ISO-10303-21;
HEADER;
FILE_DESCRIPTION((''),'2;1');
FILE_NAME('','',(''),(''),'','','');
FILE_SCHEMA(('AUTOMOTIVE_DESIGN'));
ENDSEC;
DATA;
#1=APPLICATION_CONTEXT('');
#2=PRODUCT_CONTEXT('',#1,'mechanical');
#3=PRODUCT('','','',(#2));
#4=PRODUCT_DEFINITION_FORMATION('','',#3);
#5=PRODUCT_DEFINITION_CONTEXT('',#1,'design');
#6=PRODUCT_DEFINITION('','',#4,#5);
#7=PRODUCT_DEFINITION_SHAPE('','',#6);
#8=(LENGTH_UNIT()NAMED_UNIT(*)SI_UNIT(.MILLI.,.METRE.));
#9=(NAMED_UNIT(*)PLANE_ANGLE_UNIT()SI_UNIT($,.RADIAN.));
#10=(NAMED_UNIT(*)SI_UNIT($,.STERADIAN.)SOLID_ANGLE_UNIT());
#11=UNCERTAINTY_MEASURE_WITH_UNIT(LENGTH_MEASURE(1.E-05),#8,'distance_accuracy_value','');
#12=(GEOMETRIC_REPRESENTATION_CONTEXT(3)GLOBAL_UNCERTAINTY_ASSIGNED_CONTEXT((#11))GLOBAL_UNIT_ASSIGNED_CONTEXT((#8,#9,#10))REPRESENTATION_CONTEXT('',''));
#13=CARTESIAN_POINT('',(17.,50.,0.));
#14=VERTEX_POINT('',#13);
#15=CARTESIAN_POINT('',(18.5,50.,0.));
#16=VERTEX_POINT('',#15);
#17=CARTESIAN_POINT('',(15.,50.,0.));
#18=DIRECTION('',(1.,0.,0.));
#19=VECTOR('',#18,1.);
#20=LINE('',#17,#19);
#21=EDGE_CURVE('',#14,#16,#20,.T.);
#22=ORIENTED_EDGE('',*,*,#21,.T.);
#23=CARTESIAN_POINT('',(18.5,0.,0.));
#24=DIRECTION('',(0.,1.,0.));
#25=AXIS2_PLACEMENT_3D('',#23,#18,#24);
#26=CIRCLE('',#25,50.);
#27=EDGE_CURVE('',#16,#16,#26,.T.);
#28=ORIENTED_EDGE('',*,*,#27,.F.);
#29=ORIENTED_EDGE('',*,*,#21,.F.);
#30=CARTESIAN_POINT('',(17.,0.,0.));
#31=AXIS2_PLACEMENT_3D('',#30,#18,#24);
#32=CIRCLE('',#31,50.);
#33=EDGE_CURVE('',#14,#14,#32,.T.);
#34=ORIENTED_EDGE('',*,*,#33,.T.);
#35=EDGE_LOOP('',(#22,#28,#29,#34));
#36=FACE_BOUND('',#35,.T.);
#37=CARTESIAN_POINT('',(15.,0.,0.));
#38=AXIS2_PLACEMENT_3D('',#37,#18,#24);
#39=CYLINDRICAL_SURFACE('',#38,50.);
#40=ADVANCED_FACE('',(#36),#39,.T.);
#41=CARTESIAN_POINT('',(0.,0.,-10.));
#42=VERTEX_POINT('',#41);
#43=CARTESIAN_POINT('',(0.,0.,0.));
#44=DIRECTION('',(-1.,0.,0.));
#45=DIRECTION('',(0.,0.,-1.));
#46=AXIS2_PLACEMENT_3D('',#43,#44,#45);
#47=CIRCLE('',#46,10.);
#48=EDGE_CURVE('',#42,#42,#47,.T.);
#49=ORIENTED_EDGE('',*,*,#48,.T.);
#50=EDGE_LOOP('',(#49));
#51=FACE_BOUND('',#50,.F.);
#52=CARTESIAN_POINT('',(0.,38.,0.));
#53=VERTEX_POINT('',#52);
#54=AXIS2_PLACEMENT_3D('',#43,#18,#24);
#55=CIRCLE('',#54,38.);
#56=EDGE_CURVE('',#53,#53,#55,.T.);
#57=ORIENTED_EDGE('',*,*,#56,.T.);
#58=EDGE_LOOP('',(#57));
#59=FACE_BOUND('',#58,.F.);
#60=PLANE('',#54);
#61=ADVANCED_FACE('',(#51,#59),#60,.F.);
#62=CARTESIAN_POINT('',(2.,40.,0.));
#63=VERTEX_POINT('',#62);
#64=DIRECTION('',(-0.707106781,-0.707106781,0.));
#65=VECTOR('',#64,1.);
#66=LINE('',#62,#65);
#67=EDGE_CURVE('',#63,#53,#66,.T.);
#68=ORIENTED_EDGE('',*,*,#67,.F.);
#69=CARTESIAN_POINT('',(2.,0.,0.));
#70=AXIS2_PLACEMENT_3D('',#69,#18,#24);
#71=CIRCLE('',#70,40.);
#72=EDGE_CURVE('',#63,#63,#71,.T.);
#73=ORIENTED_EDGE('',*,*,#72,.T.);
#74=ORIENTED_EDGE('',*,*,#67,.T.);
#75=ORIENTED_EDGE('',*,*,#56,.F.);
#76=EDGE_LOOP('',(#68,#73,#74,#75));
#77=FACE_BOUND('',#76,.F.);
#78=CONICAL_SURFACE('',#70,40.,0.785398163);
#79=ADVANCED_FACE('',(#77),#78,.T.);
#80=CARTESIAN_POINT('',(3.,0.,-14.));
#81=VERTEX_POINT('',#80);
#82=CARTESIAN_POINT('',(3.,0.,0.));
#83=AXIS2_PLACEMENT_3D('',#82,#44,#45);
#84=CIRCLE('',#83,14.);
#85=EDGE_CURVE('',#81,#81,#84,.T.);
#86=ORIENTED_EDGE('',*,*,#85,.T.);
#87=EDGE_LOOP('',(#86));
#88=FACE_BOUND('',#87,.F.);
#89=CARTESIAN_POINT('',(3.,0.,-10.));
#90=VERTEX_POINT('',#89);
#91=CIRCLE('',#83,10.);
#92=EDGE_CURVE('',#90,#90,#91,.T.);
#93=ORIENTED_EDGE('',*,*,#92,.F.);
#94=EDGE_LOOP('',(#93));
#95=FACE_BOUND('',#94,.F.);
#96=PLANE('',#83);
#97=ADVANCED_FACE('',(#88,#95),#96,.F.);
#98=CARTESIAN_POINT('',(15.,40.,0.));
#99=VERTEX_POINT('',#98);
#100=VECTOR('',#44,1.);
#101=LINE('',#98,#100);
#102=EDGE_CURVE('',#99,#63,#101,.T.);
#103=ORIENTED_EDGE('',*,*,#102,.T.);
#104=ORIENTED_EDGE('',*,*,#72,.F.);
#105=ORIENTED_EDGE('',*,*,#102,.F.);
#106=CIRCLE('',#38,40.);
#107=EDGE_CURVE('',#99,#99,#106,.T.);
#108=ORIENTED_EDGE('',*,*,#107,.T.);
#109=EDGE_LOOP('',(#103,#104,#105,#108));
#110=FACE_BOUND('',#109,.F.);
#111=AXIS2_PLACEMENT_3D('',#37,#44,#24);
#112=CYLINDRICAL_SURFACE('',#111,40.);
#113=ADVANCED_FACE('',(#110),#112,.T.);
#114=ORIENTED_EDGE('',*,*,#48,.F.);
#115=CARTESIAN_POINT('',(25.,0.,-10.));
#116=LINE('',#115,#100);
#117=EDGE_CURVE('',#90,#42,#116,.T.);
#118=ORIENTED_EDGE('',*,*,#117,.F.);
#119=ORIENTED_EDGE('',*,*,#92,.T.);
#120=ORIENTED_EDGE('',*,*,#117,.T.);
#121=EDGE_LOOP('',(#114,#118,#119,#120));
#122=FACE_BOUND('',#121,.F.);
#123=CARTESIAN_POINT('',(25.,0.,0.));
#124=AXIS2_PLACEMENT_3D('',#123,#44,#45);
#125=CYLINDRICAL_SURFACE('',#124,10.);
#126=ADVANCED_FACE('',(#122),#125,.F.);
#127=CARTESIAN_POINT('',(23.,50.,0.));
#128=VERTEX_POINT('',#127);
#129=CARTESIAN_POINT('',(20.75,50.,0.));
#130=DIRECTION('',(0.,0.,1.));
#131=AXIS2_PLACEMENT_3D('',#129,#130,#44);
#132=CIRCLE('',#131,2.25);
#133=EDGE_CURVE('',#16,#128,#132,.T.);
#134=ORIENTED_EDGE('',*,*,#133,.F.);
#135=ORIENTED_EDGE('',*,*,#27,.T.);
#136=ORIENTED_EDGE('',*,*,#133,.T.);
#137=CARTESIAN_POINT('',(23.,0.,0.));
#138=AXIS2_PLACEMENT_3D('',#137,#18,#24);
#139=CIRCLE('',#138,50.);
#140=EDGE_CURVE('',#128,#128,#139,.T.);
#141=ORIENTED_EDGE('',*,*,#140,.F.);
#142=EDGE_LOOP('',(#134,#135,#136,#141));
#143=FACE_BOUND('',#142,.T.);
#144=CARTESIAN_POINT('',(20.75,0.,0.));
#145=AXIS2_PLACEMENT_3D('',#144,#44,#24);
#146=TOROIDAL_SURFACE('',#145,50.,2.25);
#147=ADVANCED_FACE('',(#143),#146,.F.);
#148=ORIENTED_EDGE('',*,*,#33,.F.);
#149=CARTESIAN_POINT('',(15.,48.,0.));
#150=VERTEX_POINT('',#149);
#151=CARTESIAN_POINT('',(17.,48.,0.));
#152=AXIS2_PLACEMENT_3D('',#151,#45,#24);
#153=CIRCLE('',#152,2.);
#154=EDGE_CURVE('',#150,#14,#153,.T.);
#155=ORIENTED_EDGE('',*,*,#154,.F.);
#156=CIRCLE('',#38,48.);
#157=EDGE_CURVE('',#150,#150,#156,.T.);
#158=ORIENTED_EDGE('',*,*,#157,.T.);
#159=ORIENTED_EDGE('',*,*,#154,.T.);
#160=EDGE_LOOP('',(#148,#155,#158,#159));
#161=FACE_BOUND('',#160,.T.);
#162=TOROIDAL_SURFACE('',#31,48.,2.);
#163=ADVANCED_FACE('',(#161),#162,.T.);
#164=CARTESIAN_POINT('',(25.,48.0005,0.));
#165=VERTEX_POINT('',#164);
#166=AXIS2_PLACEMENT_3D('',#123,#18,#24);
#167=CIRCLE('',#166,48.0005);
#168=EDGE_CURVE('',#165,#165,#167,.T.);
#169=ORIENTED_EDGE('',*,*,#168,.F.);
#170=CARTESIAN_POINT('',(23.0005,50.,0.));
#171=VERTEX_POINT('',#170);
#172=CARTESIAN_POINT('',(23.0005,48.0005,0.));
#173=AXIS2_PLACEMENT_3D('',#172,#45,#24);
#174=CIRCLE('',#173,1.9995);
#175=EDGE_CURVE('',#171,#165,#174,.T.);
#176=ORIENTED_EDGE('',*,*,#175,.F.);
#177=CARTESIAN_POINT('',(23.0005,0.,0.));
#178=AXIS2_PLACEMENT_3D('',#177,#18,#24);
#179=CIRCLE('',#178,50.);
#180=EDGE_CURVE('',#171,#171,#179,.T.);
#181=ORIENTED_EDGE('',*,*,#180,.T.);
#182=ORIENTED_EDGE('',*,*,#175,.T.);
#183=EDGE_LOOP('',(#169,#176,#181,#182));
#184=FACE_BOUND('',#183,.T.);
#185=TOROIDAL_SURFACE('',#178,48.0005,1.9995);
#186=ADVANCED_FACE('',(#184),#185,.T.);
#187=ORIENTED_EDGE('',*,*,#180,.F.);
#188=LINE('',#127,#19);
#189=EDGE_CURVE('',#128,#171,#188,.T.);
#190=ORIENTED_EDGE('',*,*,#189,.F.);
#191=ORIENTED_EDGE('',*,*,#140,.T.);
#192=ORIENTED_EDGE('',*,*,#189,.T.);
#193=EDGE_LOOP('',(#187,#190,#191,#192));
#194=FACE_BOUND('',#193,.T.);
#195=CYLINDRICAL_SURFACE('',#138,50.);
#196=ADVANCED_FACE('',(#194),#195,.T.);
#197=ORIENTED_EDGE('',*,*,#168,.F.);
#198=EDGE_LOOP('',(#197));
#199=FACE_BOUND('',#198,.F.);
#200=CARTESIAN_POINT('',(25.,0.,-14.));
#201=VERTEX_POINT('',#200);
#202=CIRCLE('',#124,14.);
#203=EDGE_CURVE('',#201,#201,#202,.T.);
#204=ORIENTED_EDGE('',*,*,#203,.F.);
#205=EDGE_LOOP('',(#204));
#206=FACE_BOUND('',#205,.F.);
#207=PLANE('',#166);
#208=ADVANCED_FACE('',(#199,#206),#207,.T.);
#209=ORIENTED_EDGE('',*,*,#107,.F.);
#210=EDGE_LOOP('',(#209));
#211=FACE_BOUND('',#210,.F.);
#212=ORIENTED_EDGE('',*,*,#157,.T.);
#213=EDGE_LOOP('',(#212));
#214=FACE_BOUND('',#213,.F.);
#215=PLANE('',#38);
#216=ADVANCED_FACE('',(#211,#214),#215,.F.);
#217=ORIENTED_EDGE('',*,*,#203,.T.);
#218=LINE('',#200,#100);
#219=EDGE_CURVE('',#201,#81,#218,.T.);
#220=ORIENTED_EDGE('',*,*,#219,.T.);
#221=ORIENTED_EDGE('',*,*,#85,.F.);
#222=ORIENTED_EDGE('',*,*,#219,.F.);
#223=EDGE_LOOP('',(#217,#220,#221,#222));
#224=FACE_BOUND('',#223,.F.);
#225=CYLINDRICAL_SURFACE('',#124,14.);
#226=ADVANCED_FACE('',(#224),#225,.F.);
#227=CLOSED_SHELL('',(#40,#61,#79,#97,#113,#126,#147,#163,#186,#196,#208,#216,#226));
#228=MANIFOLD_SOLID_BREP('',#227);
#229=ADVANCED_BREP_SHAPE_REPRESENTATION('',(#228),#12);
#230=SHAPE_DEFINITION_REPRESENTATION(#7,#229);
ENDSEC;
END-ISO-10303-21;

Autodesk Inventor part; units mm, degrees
ref_plane "YZ Plane" through (0, 0, 0) normal (1, 0, 0) x (0, 1, 0)
ref_plane "XZ Plane" through (0, 0, 0) normal (0, 1, 0) x (-1, 0, 0)
ref_plane "XY Plane" through (0, 0, 0) normal (0, 0, 1) x (1, 0, 0)
sketch "Sketch1" plane through (0, 0, 0) normal (0, 0, 1) x (1, 0, 0)
  line L0 (0, 0) -> (25, 0)
  line L1 (25, 0) -> (25, 50)
  line L2 (15, 50) -> (15, 40)
  line L3 (15, 40) -> (0, 40)
  line L4 (0, 40) -> (0, 0)
  line L5 (15, 50) -> (18.5, 50)
  line L6 (18.5, 50) -> (18.5, 47)
  line L7 (18.5, 47) -> (23, 47) construction
  line L8 (23, 47) -> (23, 50)
  line L9 (23, 50) -> (25, 50)
  circle A0 centre (20.75, 50) radius 2.25 construction
  line L10 (18.5, 50) -> (23, 50) construction
  arc A1 (18.5, 50) -> (23, 50) centre (20.75, 50) ccw
  point P0 (23, 48.5)
  point P1 (20.75, 50)
  dimension "d1" = 40
  dimension "d2" = 15
  dimension "d3" = 10
  dimension "d5" = 50
  dimension "d6" = 3
  dimension "d7" = 4.5
  dimension "d8" = 2
revolve "Revolution1" add sketch "Sketch1" angle 360 about axis through (0, 0, 0) along (1, 0, 0)
fillet "Fillet2" radius 2 1 edges at (15, -50, 0)
fillet "Fillet3" radius 2 1 edges at (25, -50, 0)
chamfer "Chamfer1" distance 2 angle 45 1 edges at (0, -40, 0)
sketch "Sketch2" plane through (25, 0, 0) normal (1, 0, 0) x (0, 0, -1)
  circle A0 centre (0, 0) radius 48 projected
hole "Hole1" at (25, 0, 0) direction (-1, 0, 0) diameter 20 end through all
sketch "Sketch3" plane through (25, 0, 0) normal (1, 0, 0) x (0, 0, -1)
  circle A0 centre (0, 0) radius 10 projected
  circle A1 centre (0, 0) radius 48 projected
hole "Hole2" at (25, 0, 0) direction (-1, 0, 0) diameter 28 depth 22
properties part number "P302" material "Aluminum 6061"
